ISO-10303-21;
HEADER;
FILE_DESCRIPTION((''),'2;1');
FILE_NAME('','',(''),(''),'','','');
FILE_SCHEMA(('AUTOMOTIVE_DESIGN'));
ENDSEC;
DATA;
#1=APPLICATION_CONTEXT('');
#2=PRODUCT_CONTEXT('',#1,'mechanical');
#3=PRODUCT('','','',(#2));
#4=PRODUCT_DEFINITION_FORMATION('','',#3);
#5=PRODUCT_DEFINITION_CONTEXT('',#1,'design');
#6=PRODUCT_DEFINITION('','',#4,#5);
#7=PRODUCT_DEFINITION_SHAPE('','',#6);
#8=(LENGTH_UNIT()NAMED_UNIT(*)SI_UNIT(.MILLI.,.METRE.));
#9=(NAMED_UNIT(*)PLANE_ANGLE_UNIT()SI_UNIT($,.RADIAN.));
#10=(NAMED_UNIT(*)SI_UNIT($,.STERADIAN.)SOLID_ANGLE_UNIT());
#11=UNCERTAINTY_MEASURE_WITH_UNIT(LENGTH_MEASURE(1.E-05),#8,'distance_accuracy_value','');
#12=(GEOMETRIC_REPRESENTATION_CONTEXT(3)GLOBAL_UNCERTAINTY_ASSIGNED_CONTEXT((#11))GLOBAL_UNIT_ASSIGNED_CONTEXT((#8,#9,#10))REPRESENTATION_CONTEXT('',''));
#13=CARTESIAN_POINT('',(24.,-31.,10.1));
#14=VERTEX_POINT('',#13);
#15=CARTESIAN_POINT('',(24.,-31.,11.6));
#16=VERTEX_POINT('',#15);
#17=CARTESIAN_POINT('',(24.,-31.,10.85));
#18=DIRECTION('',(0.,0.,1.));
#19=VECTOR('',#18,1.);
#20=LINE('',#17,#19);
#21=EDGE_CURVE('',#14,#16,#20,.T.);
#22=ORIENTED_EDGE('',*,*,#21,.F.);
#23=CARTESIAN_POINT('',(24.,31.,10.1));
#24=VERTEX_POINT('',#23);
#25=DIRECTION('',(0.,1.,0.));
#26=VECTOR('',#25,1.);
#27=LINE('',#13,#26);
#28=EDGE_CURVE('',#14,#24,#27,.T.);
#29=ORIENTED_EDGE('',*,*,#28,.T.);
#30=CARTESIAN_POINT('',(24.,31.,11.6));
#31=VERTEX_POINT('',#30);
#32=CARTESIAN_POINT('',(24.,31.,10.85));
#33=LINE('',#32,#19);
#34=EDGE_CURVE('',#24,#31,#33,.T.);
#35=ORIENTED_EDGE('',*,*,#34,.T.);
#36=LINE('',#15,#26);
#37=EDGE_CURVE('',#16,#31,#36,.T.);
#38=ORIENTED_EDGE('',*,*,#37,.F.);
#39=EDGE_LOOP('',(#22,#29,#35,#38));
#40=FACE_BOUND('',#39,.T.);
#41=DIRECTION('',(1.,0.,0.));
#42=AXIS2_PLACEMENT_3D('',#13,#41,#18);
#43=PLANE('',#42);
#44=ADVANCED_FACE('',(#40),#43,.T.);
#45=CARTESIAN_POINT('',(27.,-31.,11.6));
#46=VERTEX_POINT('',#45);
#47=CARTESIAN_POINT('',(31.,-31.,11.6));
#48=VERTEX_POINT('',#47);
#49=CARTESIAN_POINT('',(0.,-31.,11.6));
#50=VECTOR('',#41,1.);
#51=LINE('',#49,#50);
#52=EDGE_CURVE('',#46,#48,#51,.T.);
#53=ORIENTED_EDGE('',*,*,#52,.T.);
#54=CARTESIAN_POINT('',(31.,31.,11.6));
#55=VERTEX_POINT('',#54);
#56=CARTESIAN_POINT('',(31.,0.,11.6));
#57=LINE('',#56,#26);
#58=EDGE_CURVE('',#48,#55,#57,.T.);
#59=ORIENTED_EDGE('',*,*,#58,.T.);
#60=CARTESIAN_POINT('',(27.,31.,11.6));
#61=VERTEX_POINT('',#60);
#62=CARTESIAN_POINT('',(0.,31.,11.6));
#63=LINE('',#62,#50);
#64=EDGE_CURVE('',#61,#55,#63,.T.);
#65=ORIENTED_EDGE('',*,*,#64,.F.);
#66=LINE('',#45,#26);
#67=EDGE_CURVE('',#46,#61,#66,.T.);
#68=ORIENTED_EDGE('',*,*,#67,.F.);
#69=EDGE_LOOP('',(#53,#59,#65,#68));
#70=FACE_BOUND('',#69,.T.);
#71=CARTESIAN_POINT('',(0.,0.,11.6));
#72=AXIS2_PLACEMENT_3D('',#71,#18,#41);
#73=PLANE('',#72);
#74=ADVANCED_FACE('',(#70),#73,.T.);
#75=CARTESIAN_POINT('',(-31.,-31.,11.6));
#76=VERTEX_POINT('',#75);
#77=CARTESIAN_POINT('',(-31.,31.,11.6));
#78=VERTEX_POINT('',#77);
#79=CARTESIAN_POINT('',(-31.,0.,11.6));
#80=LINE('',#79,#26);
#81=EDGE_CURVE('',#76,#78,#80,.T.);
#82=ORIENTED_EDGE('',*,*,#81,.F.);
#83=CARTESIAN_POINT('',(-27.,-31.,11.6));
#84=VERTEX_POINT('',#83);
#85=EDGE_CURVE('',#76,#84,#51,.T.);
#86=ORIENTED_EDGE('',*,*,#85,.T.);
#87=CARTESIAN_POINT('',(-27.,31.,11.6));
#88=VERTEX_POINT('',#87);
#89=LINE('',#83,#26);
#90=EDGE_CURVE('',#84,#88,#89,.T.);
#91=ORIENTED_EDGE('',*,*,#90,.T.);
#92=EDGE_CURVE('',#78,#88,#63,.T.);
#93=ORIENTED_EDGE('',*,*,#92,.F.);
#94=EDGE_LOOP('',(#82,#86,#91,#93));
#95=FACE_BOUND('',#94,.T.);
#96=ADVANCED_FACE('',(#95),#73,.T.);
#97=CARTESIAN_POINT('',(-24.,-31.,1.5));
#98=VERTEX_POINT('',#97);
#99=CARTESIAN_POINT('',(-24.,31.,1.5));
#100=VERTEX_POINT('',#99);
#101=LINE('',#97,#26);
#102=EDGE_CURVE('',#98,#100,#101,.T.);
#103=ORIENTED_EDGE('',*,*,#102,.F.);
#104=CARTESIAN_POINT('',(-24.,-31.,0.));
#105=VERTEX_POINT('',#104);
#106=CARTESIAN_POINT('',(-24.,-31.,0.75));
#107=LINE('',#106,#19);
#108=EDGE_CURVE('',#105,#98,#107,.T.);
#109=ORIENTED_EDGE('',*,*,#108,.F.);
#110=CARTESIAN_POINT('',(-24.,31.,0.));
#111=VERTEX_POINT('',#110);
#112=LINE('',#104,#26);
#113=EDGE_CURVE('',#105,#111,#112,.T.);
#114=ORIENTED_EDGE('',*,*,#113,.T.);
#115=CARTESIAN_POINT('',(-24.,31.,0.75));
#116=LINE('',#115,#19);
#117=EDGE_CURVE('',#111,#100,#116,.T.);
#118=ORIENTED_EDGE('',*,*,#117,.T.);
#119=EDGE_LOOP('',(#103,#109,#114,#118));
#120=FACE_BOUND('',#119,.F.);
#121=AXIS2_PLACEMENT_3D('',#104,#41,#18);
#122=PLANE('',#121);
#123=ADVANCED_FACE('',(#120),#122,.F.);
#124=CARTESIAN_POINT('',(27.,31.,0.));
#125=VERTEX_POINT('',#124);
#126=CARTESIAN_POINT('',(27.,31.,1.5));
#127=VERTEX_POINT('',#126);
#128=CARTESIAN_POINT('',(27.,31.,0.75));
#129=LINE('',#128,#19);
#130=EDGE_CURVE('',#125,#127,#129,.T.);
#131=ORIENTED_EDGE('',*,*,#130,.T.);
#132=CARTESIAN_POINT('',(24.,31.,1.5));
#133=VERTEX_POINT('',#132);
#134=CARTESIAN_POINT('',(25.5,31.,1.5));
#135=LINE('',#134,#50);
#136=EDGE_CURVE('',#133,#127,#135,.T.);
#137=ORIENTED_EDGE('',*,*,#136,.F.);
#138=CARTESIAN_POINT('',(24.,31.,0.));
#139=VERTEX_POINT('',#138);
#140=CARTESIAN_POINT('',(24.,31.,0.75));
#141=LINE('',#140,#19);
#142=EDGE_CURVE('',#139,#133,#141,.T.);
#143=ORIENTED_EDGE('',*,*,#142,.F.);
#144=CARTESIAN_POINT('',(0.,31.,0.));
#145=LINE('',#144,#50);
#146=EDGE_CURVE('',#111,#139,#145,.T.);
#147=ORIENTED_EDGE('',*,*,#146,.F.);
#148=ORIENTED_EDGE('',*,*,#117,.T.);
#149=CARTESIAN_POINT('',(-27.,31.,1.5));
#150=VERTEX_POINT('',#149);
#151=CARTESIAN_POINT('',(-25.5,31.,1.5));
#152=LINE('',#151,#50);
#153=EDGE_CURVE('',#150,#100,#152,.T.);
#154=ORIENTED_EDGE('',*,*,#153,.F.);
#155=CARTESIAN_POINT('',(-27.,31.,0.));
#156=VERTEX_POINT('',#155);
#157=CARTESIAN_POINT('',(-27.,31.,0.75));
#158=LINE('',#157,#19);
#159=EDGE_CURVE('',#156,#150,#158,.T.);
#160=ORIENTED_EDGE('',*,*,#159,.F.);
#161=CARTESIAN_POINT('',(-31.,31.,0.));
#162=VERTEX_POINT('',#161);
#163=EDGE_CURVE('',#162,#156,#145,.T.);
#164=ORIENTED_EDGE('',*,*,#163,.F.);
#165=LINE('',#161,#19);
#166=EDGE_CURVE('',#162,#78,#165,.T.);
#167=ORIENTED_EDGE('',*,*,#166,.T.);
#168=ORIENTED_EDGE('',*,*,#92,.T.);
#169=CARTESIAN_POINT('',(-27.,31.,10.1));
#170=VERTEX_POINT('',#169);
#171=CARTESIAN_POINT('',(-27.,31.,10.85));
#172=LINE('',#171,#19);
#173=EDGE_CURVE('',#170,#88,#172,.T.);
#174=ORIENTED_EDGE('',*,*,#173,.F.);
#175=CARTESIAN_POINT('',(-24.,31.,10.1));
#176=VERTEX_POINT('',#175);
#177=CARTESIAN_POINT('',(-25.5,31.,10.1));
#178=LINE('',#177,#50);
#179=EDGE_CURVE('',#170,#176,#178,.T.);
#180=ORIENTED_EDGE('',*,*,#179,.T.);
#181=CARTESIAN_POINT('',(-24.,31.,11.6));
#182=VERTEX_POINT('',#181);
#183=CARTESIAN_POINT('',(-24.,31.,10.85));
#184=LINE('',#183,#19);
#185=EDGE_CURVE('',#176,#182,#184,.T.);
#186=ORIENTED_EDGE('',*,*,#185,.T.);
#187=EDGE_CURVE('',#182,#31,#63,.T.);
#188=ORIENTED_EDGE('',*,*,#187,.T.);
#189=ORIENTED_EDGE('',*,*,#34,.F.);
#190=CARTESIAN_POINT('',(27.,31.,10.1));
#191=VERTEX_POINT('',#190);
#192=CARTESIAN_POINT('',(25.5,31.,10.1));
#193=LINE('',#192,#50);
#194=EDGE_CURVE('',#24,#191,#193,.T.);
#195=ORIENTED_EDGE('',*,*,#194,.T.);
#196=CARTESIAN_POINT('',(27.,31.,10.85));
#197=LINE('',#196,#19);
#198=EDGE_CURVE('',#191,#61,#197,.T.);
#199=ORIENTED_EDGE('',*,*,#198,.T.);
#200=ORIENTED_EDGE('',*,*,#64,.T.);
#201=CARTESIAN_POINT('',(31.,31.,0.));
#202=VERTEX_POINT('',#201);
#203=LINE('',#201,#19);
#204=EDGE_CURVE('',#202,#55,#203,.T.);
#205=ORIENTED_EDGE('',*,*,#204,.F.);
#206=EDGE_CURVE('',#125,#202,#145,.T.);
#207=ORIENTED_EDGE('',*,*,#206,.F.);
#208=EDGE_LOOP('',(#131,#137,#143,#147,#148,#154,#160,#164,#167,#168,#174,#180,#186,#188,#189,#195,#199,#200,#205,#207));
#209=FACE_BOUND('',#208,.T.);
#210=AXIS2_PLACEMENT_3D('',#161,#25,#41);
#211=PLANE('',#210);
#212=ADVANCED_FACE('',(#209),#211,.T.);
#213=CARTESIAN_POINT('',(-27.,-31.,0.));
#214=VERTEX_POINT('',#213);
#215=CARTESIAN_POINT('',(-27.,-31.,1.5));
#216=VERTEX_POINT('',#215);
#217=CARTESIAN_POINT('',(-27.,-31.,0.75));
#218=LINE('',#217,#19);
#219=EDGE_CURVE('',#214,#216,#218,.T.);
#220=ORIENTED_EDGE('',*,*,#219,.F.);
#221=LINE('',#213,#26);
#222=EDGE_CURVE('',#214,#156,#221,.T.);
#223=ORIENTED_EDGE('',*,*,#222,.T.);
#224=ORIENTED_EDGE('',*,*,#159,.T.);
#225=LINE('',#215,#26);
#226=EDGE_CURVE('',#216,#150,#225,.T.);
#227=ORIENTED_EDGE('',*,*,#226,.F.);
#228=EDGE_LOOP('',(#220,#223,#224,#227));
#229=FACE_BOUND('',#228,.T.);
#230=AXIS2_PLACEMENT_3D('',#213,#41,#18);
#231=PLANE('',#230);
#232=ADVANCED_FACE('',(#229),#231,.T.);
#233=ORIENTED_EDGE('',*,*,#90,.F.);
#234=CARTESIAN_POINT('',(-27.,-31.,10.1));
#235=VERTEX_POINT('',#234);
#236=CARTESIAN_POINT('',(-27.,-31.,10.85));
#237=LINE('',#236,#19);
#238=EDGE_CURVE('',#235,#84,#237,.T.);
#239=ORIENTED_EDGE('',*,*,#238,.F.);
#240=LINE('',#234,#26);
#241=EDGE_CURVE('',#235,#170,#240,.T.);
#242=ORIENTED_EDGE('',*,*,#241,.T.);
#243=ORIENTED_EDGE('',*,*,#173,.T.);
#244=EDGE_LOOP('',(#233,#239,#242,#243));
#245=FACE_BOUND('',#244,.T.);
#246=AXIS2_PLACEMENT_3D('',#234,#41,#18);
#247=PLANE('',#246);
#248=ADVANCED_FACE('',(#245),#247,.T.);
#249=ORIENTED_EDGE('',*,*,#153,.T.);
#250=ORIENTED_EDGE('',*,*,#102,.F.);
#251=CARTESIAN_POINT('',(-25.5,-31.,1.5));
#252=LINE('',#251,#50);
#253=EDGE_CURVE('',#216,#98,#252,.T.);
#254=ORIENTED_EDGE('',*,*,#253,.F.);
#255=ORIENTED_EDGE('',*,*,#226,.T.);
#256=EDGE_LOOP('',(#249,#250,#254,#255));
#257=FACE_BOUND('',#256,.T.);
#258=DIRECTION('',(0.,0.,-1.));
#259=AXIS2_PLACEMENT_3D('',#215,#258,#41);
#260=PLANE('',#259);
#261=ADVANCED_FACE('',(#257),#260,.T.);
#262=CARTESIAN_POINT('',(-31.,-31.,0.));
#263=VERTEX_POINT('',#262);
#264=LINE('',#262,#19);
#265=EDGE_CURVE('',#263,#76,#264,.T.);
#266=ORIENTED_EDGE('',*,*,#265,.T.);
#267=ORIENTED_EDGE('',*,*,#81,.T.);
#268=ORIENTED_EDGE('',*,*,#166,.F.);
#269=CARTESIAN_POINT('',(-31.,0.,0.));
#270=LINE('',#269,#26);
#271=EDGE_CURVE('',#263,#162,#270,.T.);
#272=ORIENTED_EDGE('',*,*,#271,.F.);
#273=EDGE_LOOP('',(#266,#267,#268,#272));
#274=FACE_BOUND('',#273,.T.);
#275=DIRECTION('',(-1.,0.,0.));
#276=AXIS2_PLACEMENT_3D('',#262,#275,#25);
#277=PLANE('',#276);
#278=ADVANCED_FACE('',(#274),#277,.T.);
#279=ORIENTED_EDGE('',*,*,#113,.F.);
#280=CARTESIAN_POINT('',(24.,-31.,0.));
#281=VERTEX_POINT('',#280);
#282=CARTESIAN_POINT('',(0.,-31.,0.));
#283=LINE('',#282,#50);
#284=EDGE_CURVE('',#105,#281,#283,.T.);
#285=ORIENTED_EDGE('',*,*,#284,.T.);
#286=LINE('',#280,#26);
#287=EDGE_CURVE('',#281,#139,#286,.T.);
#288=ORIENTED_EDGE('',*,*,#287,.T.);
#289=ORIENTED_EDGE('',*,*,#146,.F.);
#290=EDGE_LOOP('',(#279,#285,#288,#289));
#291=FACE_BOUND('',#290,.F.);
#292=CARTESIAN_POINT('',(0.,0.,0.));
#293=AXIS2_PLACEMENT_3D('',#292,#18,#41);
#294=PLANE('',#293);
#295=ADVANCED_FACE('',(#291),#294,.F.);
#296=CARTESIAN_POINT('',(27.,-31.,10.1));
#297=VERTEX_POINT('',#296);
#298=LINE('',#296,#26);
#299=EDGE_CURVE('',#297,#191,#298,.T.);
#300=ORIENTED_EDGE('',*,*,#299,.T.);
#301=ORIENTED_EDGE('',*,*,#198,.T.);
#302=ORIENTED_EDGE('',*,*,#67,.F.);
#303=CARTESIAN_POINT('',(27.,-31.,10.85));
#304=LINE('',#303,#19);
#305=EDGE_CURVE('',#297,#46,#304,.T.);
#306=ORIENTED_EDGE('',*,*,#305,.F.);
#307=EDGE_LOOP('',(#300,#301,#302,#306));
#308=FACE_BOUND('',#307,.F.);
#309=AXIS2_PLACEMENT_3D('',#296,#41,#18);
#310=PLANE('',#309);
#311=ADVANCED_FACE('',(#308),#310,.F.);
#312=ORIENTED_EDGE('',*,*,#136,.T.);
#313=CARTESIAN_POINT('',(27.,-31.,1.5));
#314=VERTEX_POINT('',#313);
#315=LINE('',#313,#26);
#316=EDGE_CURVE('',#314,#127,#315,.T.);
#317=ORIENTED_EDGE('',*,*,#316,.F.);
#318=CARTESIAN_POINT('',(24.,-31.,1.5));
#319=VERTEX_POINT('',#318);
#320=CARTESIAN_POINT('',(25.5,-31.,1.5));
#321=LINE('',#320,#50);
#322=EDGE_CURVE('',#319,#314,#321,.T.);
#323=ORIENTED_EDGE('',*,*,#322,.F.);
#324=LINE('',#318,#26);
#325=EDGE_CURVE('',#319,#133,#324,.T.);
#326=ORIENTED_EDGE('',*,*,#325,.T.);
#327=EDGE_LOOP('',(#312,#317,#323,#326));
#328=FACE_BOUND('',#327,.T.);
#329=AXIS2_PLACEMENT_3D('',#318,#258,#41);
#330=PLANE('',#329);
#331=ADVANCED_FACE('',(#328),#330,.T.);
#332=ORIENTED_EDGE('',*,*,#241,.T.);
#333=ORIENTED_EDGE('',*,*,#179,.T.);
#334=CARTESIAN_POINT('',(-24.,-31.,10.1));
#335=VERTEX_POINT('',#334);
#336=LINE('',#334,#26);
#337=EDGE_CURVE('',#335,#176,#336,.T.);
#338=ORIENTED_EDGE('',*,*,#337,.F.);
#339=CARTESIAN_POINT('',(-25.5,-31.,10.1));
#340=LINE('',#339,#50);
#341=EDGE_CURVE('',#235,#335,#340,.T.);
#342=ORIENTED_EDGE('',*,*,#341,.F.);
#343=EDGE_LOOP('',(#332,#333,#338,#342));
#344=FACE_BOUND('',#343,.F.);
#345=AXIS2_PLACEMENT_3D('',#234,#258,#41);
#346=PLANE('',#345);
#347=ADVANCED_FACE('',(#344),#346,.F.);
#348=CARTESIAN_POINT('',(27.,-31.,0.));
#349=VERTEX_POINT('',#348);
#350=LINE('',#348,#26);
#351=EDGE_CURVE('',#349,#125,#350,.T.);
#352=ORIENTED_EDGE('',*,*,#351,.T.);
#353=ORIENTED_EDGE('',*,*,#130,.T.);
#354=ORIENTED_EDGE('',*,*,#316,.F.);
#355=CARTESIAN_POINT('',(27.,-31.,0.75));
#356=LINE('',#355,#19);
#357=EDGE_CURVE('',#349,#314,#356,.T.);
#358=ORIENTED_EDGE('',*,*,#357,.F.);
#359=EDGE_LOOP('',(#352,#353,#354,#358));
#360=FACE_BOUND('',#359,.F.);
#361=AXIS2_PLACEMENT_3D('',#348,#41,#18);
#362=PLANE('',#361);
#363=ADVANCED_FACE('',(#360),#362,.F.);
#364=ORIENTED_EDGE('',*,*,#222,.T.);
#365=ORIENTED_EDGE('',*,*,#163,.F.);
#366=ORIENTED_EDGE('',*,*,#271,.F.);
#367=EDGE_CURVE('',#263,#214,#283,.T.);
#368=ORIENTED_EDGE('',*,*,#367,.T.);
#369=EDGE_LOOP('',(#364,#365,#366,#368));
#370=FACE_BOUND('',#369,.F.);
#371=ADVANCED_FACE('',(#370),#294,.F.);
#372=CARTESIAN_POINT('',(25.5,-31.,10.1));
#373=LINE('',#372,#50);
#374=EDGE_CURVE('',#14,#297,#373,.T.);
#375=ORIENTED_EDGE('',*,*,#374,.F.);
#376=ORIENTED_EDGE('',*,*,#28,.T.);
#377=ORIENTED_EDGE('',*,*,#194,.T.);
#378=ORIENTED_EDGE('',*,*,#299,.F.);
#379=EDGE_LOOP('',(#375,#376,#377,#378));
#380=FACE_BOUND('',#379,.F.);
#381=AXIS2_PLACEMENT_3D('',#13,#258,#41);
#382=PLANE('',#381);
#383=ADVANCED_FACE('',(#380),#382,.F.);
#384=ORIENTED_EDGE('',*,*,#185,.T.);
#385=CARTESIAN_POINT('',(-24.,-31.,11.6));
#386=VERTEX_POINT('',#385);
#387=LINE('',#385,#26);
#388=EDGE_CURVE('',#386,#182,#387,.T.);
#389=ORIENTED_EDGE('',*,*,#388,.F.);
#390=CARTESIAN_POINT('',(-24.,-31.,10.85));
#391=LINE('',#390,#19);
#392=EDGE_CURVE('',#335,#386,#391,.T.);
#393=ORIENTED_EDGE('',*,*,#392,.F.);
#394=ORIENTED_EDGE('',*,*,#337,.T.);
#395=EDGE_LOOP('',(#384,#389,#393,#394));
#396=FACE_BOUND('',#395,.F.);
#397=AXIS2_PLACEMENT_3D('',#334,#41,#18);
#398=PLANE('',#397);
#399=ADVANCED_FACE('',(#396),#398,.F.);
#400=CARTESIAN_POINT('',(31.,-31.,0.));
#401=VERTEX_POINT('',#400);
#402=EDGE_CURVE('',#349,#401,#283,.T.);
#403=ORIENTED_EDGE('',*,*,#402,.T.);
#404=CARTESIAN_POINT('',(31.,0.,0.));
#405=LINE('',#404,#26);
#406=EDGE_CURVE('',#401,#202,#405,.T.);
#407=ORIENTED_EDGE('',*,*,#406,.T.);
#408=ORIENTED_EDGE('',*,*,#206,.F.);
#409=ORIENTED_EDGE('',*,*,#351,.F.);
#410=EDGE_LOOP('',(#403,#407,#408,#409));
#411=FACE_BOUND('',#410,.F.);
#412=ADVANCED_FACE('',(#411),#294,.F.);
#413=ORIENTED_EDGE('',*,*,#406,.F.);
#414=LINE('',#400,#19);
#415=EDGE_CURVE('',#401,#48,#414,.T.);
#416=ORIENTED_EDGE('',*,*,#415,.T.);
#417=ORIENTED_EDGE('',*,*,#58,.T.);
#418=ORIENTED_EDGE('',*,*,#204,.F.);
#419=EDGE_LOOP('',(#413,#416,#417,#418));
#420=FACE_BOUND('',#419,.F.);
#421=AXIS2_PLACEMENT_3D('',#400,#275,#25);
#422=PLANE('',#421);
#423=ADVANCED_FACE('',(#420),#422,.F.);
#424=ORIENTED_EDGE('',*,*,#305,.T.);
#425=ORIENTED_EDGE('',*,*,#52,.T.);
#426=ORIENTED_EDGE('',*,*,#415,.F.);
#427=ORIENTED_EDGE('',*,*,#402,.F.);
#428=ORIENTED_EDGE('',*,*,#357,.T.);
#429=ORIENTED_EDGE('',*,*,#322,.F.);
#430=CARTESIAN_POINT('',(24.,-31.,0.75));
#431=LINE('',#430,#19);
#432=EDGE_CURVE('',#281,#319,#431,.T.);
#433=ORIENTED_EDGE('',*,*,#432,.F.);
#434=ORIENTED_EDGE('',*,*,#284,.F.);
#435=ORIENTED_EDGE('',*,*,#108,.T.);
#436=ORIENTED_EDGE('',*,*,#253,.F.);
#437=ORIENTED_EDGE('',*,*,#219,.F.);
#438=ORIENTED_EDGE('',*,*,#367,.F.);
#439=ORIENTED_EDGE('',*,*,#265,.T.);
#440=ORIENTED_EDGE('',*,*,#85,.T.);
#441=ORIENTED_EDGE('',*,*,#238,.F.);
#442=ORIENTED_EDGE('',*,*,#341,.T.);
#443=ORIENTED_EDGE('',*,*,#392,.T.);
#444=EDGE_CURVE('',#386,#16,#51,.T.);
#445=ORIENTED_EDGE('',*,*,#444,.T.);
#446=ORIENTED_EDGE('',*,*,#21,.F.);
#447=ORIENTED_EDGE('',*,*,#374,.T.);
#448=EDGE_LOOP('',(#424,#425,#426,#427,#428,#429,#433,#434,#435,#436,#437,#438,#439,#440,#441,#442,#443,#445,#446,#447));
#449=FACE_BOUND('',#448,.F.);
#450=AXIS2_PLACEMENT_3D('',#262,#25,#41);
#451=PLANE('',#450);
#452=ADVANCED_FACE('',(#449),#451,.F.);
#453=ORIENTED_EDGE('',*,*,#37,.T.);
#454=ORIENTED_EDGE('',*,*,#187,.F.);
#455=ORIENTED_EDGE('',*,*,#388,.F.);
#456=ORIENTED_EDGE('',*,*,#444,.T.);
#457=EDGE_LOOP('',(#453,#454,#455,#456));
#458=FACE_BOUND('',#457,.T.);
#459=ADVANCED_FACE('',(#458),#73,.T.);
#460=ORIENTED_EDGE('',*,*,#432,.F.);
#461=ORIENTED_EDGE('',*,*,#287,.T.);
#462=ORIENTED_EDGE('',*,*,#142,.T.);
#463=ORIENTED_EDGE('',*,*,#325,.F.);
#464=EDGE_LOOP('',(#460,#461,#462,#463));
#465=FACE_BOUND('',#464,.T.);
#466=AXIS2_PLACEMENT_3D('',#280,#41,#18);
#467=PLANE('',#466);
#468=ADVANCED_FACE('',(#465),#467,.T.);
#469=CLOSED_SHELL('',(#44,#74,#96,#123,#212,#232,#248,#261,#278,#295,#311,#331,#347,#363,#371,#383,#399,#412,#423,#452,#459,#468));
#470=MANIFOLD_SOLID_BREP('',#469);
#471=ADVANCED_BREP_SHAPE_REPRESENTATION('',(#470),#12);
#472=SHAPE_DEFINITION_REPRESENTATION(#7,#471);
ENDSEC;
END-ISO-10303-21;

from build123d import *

# Parameters (mm, degrees)
F0_W     = 62
F0_H     = 62
F1_DEPTH = 11.6
F2_W     = 3
F2_H     = 1.5
F3_DEPTH = 62


with BuildPart() as f1:
    # F0 (on Top) → F1 (new body)
    with BuildSketch(Plane.XY):
        Rectangle(F0_W, F0_H)
    extrude(amount=F1_DEPTH)

    # F2 (on face) → F3 (cut)
    with BuildSketch(Plane.XZ.offset(31)):
        with Locations((-25.5, 10.85)):
            Rectangle(F2_W, F2_H)
        with Locations((-25.5, 0.75)):
            Rectangle(F2_W, F2_H)
        with Locations((25.5, 10.85)):
            Rectangle(F2_W, F2_H)
        with Locations((25.5, 0.75)):
            Rectangle(F2_W, F2_H)
    extrude(amount=-F3_DEPTH, mode=Mode.SUBTRACT)


solid = f1.part
